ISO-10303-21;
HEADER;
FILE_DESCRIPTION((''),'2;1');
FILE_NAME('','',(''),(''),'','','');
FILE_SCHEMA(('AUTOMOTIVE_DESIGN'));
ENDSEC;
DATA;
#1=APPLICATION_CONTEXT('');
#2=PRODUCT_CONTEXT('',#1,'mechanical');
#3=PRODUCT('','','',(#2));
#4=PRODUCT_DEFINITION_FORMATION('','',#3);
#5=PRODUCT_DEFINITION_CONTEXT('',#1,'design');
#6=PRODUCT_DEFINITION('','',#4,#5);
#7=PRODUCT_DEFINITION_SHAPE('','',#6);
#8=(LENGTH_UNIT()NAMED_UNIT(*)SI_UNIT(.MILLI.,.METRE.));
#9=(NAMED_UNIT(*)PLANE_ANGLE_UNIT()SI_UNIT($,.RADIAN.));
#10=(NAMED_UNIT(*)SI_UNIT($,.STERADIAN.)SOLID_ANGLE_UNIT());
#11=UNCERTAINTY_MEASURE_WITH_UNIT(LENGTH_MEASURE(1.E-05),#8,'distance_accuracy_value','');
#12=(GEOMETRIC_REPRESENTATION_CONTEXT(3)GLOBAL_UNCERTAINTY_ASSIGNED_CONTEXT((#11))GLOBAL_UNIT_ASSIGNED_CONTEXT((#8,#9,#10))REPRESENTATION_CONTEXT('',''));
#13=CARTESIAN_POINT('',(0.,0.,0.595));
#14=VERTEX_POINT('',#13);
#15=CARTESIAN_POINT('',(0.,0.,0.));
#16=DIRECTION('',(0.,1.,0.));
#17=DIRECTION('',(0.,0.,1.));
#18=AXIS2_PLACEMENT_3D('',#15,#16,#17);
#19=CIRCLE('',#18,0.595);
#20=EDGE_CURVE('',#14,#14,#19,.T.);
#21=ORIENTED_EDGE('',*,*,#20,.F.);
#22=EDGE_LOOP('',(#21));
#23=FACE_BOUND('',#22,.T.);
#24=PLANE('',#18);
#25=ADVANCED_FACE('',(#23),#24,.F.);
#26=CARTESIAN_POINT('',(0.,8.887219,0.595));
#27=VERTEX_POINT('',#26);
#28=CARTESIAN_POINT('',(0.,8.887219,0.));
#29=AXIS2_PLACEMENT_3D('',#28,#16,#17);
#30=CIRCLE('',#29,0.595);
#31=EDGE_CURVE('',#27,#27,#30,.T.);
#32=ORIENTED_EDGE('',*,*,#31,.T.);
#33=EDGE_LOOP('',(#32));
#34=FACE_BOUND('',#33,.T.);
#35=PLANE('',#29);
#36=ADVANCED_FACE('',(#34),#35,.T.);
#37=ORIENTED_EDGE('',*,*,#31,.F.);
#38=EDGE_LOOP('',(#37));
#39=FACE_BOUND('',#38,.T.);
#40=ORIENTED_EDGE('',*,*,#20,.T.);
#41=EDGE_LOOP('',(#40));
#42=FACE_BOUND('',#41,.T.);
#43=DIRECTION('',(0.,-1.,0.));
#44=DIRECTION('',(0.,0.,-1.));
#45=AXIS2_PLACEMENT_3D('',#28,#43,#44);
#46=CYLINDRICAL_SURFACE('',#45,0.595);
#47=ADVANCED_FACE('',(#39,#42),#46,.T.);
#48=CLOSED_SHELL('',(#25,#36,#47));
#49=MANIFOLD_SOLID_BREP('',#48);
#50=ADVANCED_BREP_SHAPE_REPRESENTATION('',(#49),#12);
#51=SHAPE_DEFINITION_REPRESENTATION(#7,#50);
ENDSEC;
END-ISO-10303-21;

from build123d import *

# Parameters (mm, degrees)
ESBO_O1_R                  = 0.595
FINGEQUEEHUMPARAFUSO_DEPTH = 8.887218917


with BuildPart() as part:
    # Esboço1 → FingeQueEhUmParafuso (new body)
    with BuildSketch(Plane(origin=(0, 0, 0), x_dir=(1, 0, 0), z_dir=(0, 1, 0))):
        with Locations(Location((0, 0, 0), (0, 0, 270))):
            Circle(ESBO_O1_R)
    extrude(amount=FINGEQUEEHUMPARAFUSO_DEPTH)


solid = part.part
